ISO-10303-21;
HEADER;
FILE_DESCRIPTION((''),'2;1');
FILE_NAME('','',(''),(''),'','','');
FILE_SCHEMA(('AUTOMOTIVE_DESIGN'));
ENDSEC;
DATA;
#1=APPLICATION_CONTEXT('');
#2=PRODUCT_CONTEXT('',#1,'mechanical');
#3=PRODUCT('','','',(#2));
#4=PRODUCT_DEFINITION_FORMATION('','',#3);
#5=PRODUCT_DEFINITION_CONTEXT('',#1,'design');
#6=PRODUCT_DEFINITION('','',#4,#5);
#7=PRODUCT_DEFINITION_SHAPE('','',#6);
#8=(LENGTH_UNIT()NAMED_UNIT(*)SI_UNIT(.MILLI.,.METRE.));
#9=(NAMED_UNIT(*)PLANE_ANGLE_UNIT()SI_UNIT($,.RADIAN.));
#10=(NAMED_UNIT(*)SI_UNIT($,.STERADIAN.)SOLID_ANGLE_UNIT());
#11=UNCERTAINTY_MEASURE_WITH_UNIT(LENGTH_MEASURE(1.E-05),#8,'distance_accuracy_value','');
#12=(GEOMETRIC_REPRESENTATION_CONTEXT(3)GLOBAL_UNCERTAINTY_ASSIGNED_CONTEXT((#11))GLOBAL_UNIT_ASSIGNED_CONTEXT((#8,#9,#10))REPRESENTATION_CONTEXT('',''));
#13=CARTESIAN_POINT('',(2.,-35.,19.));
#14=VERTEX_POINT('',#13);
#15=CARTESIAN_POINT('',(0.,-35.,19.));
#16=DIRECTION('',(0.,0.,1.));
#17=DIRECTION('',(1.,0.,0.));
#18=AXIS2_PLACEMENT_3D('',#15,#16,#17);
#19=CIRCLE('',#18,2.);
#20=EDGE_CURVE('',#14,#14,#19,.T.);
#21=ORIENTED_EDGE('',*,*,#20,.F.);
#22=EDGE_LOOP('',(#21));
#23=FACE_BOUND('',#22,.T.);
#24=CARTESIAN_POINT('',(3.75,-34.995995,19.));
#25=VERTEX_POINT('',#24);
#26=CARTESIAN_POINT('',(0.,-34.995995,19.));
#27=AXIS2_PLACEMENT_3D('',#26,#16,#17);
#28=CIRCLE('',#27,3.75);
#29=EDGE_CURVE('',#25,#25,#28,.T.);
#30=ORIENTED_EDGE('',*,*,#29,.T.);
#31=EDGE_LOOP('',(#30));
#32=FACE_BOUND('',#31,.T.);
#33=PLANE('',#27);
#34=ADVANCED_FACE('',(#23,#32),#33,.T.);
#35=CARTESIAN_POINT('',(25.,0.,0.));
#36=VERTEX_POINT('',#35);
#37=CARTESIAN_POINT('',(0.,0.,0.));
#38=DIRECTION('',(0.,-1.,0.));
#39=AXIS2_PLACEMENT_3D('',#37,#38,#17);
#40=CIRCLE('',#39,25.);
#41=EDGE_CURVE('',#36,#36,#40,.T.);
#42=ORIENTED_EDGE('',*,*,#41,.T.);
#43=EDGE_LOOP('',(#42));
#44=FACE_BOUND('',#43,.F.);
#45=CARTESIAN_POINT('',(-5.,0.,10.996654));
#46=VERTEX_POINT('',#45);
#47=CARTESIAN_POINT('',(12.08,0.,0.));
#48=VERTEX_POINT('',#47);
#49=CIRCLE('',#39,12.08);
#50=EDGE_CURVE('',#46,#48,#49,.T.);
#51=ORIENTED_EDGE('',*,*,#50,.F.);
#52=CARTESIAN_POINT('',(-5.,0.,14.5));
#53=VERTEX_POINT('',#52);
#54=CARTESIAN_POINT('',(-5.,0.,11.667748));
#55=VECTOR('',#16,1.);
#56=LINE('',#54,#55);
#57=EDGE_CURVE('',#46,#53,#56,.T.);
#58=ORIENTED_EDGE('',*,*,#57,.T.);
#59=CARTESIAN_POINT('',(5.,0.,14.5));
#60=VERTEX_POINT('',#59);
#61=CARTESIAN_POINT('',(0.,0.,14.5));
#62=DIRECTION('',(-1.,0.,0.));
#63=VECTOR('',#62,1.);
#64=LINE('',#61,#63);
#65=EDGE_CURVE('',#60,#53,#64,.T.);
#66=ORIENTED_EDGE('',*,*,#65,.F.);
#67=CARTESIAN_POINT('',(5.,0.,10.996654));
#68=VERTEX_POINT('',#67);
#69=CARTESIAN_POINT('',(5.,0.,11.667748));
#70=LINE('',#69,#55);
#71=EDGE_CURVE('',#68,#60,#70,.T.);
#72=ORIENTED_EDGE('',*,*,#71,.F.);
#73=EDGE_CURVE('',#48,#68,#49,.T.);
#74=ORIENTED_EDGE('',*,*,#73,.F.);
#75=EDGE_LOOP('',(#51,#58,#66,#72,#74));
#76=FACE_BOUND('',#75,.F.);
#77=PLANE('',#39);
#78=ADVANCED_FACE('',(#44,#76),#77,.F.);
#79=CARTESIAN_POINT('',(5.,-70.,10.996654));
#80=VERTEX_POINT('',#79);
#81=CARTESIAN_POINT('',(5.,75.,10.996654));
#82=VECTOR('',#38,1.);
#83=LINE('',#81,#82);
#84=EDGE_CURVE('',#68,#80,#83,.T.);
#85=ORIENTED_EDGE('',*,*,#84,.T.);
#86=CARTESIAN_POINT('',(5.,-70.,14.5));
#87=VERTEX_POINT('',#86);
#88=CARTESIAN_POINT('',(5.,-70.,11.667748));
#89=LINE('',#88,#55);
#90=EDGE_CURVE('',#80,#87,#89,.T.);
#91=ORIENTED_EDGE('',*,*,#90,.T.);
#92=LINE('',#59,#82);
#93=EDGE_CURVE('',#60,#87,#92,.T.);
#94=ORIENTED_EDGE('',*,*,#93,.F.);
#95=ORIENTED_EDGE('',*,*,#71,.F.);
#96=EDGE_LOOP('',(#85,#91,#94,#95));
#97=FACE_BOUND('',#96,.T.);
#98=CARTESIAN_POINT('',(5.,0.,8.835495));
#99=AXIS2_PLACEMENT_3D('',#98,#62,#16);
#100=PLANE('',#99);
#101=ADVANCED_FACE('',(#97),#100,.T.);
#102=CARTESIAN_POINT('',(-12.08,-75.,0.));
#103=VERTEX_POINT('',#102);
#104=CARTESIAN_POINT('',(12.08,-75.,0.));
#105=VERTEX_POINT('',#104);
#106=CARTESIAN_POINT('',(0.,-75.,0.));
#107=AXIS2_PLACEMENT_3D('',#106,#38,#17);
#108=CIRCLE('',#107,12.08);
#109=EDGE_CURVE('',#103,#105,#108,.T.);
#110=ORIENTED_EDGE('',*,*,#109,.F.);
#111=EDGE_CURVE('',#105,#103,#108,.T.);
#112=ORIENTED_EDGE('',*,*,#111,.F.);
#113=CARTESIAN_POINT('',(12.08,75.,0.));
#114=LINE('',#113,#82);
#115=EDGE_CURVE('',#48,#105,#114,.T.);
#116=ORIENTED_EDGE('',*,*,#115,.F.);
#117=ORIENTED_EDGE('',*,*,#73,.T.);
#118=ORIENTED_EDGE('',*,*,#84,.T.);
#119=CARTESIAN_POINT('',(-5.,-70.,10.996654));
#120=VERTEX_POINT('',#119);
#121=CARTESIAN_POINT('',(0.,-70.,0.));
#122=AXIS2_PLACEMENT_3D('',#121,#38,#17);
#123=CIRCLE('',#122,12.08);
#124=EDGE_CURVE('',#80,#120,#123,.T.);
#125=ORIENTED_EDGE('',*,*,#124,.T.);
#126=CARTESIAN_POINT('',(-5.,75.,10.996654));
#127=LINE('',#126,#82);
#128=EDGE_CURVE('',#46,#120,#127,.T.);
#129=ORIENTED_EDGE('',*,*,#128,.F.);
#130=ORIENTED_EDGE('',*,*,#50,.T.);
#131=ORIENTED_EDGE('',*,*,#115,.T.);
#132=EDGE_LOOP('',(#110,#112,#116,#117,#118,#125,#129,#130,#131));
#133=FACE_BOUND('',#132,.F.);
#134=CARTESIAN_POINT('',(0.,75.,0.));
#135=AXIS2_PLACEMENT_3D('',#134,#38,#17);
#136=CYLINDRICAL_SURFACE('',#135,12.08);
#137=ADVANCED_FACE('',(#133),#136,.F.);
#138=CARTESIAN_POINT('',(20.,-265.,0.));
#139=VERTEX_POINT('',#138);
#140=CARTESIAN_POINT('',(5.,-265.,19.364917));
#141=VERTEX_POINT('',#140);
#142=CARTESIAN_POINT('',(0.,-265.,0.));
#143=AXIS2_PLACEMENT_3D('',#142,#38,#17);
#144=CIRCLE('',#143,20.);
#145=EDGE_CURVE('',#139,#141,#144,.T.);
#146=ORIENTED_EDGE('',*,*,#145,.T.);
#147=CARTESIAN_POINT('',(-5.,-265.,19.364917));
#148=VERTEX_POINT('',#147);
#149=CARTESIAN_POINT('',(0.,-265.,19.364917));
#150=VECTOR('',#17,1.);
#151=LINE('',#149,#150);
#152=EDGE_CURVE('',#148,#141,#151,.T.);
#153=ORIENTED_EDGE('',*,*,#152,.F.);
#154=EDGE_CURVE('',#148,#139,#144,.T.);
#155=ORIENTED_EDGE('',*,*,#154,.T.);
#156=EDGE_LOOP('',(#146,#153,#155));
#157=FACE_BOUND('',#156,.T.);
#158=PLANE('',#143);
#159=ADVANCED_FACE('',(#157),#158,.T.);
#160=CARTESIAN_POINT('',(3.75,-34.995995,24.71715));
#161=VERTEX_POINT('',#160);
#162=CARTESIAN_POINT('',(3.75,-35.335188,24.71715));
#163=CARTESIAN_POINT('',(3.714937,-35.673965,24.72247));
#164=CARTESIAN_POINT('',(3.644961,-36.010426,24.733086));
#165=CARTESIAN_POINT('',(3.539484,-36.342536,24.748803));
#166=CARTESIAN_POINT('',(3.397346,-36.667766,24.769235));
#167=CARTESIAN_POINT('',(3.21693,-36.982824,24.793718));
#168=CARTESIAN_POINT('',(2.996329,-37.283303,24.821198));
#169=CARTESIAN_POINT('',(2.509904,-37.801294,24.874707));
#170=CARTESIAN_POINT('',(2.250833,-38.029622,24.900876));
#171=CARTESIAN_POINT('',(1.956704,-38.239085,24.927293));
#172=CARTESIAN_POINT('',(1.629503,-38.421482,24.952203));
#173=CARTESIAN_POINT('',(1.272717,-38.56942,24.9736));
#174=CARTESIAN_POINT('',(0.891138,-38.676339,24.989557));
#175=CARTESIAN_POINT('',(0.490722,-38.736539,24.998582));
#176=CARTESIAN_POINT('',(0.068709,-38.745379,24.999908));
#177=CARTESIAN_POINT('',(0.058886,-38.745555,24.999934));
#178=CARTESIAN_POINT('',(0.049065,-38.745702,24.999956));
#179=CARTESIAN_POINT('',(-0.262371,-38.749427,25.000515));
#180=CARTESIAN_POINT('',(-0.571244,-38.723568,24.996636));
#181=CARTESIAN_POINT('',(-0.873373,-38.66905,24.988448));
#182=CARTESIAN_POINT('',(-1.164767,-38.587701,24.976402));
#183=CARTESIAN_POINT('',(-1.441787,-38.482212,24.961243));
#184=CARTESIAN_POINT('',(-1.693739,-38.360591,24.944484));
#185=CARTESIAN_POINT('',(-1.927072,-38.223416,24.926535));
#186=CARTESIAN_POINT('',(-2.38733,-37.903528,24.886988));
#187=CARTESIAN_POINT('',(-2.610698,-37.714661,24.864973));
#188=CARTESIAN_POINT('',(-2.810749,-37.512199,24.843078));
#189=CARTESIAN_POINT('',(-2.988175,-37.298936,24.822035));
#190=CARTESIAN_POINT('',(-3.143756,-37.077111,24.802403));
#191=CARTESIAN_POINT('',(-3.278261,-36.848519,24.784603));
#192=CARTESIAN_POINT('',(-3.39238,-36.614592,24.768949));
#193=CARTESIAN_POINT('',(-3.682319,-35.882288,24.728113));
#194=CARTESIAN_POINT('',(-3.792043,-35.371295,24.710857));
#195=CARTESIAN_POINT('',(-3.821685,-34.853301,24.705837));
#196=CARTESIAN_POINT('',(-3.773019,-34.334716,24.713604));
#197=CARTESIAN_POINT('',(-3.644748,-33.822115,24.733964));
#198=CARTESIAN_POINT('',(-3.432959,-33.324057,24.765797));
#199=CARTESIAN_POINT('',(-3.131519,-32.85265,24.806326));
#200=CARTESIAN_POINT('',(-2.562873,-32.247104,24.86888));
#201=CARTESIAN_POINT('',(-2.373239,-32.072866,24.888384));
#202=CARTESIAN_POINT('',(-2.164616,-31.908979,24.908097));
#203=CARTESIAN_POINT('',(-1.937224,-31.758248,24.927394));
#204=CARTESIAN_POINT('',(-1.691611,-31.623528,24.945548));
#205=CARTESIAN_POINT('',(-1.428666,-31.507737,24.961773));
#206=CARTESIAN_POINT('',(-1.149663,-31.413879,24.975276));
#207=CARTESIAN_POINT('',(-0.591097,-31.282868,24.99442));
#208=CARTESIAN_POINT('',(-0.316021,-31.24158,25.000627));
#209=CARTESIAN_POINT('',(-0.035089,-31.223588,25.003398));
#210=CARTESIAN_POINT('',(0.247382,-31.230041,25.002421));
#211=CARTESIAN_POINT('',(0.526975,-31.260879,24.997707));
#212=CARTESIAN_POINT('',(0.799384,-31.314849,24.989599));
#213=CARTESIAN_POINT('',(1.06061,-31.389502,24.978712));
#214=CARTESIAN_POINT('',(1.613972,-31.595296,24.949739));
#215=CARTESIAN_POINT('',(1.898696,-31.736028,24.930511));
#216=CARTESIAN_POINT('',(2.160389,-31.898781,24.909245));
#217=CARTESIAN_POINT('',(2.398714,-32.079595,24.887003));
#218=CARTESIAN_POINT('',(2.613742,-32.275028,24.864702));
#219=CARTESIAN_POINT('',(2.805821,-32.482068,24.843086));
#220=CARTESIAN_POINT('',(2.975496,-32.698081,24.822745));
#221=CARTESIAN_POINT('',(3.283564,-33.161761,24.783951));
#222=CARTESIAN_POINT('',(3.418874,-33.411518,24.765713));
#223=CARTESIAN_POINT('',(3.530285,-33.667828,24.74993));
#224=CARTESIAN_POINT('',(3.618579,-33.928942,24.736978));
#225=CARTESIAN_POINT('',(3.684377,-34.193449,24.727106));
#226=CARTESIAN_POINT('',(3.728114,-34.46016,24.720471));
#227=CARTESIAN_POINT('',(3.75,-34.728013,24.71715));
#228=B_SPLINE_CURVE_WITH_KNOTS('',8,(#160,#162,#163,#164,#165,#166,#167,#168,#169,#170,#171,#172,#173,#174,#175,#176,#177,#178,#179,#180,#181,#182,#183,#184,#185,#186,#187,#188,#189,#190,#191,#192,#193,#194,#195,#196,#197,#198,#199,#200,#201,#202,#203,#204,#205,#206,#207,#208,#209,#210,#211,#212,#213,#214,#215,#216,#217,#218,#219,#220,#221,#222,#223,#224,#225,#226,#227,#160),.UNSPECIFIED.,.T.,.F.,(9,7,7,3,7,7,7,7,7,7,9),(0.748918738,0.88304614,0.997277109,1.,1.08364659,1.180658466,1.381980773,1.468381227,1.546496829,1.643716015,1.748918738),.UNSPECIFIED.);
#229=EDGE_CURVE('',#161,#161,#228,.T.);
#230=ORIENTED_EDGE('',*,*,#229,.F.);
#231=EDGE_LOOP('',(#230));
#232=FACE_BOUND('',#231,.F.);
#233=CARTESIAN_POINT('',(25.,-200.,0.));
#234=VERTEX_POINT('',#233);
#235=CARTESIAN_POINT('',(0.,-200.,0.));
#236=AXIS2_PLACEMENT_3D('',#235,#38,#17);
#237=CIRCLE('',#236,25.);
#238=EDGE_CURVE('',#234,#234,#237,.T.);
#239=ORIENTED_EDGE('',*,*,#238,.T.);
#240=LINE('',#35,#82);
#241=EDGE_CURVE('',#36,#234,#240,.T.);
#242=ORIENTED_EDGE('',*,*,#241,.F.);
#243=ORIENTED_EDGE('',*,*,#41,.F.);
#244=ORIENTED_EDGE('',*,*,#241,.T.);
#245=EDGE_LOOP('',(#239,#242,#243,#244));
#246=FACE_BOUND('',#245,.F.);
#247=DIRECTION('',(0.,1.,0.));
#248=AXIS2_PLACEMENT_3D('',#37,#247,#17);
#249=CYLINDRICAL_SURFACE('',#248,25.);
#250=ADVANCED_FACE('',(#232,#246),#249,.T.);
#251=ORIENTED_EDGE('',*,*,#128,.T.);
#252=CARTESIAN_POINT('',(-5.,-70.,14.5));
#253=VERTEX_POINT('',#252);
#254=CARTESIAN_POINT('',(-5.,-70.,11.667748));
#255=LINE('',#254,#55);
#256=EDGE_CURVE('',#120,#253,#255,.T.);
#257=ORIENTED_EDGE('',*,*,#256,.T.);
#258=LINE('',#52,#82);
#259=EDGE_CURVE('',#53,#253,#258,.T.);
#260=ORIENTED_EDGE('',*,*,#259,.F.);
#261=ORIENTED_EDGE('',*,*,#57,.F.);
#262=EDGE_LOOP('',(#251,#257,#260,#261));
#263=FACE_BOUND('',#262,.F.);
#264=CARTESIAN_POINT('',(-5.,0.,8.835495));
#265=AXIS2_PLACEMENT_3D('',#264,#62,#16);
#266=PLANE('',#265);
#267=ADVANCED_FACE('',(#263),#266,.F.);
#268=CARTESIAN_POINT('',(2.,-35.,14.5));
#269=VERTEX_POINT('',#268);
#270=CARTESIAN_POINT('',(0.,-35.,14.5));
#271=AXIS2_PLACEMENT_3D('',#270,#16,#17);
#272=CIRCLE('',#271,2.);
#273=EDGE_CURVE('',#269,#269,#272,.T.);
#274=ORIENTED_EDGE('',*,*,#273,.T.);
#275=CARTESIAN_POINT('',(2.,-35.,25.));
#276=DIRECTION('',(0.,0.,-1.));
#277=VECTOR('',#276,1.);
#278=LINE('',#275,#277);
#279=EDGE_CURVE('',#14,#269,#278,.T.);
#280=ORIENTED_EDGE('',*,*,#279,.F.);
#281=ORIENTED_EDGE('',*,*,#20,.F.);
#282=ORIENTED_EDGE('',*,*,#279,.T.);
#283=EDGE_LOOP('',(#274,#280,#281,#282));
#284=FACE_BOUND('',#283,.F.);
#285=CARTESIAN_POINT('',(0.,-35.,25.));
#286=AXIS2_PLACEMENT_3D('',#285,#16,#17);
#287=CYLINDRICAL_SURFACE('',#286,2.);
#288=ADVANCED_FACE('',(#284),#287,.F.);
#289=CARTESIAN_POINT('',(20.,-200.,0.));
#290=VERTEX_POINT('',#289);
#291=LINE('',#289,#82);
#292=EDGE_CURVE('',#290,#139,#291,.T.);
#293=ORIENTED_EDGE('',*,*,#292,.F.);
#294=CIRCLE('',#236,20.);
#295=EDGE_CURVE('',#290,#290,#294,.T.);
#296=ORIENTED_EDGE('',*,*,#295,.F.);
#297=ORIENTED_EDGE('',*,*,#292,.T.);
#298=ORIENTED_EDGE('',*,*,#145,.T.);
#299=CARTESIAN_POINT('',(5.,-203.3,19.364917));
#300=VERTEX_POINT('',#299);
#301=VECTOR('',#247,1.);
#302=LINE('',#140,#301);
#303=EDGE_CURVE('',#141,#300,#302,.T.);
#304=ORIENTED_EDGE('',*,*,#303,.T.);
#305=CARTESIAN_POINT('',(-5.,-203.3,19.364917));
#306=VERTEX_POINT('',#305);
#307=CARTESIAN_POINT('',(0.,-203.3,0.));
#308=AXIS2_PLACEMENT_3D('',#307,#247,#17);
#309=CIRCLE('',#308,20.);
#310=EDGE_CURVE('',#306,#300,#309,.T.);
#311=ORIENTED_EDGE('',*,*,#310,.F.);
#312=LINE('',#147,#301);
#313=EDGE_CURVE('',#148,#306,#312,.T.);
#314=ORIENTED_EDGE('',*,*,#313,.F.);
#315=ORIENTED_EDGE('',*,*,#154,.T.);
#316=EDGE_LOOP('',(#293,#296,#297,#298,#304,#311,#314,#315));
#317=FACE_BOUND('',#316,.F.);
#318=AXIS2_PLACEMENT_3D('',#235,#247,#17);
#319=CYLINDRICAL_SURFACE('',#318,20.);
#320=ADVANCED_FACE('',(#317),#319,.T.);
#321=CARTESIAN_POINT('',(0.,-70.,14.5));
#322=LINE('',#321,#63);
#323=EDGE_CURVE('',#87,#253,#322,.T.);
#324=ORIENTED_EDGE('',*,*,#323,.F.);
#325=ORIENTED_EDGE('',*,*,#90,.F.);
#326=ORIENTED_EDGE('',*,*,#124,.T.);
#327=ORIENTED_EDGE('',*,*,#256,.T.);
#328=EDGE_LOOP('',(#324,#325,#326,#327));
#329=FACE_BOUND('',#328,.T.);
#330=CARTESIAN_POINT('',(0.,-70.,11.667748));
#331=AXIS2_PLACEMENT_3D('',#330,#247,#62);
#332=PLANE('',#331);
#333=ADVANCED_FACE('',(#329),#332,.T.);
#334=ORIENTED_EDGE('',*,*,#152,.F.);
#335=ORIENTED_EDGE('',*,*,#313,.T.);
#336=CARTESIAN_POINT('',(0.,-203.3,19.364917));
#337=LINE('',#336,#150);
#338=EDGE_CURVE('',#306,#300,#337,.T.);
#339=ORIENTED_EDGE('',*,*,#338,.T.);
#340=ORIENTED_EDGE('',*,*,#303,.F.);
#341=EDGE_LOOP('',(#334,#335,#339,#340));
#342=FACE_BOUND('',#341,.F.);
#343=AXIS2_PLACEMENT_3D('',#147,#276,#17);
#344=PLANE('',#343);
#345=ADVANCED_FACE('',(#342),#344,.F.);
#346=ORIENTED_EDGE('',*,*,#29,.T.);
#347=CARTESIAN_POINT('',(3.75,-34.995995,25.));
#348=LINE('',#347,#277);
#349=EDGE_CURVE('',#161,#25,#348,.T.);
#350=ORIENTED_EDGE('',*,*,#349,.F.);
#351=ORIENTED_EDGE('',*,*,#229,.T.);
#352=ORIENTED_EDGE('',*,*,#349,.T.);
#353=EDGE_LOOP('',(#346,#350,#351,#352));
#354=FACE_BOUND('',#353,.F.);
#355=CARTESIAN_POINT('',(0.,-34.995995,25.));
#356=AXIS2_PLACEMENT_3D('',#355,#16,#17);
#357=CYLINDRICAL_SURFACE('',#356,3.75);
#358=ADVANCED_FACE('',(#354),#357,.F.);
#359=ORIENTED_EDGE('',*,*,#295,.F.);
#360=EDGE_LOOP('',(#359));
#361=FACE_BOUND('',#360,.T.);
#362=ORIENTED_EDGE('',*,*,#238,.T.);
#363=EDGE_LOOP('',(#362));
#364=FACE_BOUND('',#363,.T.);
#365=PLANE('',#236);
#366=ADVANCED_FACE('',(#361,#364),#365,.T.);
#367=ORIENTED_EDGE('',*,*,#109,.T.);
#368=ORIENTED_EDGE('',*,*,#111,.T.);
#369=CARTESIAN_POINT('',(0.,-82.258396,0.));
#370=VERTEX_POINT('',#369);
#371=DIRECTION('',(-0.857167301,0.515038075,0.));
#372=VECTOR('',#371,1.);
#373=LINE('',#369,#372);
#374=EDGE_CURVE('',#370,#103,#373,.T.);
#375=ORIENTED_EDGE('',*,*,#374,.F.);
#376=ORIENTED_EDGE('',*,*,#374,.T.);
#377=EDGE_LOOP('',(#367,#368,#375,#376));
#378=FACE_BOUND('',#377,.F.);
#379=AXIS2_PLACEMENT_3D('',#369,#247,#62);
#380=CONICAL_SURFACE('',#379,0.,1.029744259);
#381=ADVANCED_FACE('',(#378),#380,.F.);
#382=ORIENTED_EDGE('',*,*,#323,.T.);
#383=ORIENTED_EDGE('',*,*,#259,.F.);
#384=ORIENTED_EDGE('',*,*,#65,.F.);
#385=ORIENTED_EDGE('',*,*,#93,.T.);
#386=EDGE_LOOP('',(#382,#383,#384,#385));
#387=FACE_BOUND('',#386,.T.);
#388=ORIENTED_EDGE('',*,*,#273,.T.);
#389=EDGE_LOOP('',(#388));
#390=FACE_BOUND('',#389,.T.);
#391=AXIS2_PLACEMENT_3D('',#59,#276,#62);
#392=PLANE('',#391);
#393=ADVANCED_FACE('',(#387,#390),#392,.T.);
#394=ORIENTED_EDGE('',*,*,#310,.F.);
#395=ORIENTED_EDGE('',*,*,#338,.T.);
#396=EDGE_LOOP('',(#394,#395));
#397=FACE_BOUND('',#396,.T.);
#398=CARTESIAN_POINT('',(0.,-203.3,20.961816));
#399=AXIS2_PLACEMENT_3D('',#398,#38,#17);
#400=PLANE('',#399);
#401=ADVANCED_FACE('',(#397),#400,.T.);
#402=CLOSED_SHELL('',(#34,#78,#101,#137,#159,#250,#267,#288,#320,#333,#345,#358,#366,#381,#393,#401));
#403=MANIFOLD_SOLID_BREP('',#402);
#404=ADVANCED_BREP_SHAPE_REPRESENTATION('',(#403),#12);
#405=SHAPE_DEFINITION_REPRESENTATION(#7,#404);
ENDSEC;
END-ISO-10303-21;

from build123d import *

# Parameters (mm, degrees)
F0_R      = 25
F1_DEPTH  = 200
F2_R      = 20
F3_DEPTH  = 65
F4_W      = 10
F4_H      = 3.1937984634
F5_DEPTH  = 61.7
F7_D      = 24.16
F7_DEPTH  = 75
F7_TIP    = 7.2583962779
F8_W      = 10
F8_H      = 5.6645046324
F9_DEPTH  = 70
F11_R     = 2
F12_DEPTH = 25
F13_R     = 3.75
F14_DEPTH = 6


with BuildPart() as f1:
    # F0 (on Front) → F1 (new body)
    with BuildSketch(Plane.XZ):
        Circle(F0_R)
    extrude(amount=F1_DEPTH)

    # F2 (on face) → F3 (join)
    with BuildSketch(Plane.XZ.offset(200)):
        Circle(F2_R)
    extrude(amount=F3_DEPTH)

    # F4 (on face) → F5 (cut)
    with BuildSketch(Plane.XZ.offset(265)):
        with Locations((0, 20.9618159628)):
            Rectangle(F4_W, F4_H)
    extrude(amount=-F5_DEPTH, mode=Mode.SUBTRACT)

    # F7
    with Locations(Plane(origin=(0, 0, 0), x_dir=(-1, 0, 0), z_dir=(0, 1, 0))):
        with Locations((0, 0)):
            Hole(F7_D / 2, depth=F7_DEPTH)
            with Locations((0, 0, -(F7_DEPTH + F7_TIP / 2))):  # 118° drill point
                Cone(0, F7_D / 2, F7_TIP, mode=Mode.SUBTRACT)

    # F8 (on face) → F9 (cut)
    with BuildSketch(Plane(origin=(0, 0, 0), x_dir=(-1, 0, 0), z_dir=(0, 1, 0))):
        with Locations((0, 11.6677476838)):
            Rectangle(F8_W, F8_H)
    extrude(amount=-F9_DEPTH, mode=Mode.SUBTRACT)

    # F11 (on offset) → F12 (cut)
    with BuildSketch(Plane.XY.offset(25)):
        with Locations((0, -35)):
            Circle(F11_R)
    extrude(amount=-F12_DEPTH, mode=Mode.SUBTRACT)

    # F13 (on offset) → F14 (cut)
    with BuildSketch(Plane.XY.offset(25)):
        with Locations((0, -34.9959954619)):
            Circle(F13_R)
    extrude(amount=-F14_DEPTH, mode=Mode.SUBTRACT)


solid = f1.part
